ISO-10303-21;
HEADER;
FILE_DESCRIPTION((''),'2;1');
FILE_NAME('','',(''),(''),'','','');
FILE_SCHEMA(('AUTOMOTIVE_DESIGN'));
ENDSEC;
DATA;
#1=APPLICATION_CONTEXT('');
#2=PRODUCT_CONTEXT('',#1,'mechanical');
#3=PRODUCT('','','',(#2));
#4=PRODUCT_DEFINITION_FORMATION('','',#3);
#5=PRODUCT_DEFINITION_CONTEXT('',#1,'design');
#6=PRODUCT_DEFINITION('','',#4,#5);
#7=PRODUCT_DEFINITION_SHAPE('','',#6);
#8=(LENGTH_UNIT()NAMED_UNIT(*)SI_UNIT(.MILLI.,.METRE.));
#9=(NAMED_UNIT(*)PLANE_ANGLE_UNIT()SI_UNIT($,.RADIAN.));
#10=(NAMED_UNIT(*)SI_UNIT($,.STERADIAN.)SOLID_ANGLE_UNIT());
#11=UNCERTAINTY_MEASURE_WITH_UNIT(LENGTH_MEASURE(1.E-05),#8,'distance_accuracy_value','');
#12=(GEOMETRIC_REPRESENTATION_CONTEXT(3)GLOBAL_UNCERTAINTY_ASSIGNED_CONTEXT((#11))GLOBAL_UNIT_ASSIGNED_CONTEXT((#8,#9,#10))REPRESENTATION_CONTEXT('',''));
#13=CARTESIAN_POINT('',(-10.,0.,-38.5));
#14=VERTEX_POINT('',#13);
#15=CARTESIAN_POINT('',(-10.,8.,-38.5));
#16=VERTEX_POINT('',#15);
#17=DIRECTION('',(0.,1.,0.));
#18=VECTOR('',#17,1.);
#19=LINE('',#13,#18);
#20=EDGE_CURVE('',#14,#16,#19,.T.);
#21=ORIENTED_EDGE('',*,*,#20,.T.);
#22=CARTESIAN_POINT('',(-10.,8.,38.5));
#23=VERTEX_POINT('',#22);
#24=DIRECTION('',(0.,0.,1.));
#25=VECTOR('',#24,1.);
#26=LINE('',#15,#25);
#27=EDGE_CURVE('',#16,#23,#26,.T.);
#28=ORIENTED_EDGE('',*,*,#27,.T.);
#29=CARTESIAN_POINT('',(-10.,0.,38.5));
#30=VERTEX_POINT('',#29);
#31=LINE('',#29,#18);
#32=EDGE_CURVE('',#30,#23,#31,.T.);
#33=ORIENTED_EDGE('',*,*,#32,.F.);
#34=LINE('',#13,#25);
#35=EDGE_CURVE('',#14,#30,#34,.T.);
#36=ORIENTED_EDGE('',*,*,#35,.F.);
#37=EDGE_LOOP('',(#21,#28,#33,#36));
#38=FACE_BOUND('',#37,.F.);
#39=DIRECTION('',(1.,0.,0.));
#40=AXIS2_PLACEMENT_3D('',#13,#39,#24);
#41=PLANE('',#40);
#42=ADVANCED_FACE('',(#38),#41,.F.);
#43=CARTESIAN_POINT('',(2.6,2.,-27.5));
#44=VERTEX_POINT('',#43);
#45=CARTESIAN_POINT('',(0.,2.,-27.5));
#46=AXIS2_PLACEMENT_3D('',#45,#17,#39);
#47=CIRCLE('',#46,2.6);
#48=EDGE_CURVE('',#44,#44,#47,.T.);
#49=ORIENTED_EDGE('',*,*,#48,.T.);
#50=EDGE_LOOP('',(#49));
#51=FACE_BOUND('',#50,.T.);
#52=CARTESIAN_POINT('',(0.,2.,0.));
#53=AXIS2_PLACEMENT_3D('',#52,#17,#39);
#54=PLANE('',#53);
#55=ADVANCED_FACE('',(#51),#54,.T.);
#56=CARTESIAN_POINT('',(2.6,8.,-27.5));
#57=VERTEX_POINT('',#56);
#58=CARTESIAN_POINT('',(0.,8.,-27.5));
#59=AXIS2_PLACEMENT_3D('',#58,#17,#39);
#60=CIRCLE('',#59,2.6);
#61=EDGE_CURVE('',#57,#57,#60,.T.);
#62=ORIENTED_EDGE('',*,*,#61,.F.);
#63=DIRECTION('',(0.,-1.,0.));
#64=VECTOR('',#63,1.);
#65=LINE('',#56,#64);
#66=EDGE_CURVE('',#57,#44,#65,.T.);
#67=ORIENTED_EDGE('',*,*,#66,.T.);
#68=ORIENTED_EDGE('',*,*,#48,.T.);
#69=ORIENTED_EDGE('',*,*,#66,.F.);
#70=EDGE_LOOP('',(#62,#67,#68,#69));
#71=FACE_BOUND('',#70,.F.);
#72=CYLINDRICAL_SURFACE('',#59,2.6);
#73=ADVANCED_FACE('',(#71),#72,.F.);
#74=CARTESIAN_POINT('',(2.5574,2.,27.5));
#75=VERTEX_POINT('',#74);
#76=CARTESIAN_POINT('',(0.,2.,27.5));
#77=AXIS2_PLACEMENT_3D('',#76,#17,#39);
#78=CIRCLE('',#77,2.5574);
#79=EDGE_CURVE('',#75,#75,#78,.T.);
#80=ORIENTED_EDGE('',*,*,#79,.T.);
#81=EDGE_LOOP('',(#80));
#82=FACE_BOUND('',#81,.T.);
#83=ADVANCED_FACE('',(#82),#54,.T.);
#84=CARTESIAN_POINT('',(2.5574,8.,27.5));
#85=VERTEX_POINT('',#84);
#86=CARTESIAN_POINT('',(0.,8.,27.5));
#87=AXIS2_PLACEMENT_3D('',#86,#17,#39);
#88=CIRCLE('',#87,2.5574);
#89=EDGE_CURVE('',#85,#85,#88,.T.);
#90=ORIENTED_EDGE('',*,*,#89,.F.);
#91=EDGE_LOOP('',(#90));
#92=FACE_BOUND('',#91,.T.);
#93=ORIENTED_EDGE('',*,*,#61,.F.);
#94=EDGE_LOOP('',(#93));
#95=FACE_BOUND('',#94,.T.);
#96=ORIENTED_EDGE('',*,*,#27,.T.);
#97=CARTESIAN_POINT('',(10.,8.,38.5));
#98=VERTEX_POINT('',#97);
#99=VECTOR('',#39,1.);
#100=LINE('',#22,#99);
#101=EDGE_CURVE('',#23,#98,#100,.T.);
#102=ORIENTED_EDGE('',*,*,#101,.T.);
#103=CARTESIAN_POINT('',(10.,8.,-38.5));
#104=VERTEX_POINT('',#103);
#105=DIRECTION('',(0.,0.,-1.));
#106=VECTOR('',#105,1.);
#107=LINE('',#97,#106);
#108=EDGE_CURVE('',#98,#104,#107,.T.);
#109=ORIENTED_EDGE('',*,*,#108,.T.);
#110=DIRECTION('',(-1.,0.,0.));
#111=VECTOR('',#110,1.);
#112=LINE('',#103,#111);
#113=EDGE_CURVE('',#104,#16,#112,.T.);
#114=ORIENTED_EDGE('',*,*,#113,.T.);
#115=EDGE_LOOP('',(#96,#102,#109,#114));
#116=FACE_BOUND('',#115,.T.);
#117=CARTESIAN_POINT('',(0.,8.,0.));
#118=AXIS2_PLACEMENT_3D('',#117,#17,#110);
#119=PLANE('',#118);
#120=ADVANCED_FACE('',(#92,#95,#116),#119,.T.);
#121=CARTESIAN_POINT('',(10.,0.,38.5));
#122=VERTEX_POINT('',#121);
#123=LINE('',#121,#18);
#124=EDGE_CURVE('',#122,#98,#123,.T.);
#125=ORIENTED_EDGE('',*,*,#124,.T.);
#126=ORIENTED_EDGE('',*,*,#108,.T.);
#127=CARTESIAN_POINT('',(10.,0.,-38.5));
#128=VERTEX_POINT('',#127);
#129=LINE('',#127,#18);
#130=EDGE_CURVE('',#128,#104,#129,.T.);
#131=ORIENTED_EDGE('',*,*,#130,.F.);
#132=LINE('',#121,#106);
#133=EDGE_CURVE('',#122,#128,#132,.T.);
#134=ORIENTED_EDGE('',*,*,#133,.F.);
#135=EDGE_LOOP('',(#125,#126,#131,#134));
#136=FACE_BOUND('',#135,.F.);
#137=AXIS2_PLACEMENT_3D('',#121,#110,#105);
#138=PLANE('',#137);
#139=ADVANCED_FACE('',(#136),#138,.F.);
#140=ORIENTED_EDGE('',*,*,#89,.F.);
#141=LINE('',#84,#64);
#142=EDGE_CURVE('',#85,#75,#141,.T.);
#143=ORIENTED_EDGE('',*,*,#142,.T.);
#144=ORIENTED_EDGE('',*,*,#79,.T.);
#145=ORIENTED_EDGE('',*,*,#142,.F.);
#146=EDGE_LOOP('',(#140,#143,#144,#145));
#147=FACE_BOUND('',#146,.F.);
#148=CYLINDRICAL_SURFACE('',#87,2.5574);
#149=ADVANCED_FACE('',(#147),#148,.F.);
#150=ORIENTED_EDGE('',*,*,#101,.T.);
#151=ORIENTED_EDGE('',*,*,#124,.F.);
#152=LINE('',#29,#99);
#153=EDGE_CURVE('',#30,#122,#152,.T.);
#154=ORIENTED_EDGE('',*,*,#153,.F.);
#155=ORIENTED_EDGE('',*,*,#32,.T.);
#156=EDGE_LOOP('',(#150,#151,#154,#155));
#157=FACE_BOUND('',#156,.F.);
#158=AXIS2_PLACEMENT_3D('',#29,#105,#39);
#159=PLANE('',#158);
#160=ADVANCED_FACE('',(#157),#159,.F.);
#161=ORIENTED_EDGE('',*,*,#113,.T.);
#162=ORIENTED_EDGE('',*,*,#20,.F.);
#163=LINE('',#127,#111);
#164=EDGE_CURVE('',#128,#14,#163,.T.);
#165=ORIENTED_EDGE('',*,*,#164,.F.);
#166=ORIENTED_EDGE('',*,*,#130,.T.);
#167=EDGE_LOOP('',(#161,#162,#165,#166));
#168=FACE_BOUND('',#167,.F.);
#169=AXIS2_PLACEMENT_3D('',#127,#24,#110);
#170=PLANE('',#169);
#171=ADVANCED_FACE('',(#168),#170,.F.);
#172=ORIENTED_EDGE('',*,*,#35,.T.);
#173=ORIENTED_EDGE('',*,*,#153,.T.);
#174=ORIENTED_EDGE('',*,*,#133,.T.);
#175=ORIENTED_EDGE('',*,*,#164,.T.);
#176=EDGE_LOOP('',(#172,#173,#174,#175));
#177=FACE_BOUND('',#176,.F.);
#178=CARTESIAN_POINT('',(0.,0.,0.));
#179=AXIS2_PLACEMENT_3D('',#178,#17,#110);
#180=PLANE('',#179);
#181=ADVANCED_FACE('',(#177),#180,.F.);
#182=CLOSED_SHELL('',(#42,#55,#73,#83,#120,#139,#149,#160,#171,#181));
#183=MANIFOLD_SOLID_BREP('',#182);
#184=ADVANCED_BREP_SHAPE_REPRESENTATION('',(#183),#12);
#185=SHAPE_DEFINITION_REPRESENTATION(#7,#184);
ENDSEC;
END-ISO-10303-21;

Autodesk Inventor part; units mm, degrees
ref_plane "YZ Plane" through (0, 0, 0) normal (1, 0, 0) x (0, 1, 0)
ref_plane "XZ Plane" through (0, 0, 0) normal (0, 1, 0) x (-1, 0, 0)
ref_plane "XY Plane" through (0, 0, 0) normal (0, 0, 1) x (1, 0, 0)
sketch "Sketch1" plane through (0, 0, 0) normal (0, 1, 0) x (-1, 0, 0)
  line L0 (10, 38.5) -> (-10, 38.5)
  line L1 (-10, 38.5) -> (-10, -38.5)
  line L2 (-10, -38.5) -> (10, -38.5)
  line L3 (10, -38.5) -> (10, 38.5)
  line L4 (10, 38.5) -> (-10, -38.5) construction
  line L5 (-10, 38.5) -> (10, -38.5) construction
  point P0 (0, 0)
  dimension "d0" = 77
  dimension "d1" = 20
extrude "Extrusion1" add sketch "Sketch1" along normal blind 8
sketch "Sketch3" plane through (0, 8, 0) normal (0, 1, 0) x (1, 0, 0)
  circle A0 centre (0, -27.5) radius 2.5574
  circle A1 centre (0, 27.5) radius 2.6
  point P0 (0, 0)
  dimension "d8" = 5.2
  dimension "d9" = 55
  dimension "d10" = 27.5
extrude "Extrusion2" cut sketch "Sketch3" against normal blind 6
thread "Thread1" size "M5.5x0.5" class "6H" standard "ANSI Metric M Profile" full length
thread "Thread2" size "M5.5x0.5" class "6H" standard "ANSI Metric M Profile" full length
properties part number "Spannbacke(n)"
